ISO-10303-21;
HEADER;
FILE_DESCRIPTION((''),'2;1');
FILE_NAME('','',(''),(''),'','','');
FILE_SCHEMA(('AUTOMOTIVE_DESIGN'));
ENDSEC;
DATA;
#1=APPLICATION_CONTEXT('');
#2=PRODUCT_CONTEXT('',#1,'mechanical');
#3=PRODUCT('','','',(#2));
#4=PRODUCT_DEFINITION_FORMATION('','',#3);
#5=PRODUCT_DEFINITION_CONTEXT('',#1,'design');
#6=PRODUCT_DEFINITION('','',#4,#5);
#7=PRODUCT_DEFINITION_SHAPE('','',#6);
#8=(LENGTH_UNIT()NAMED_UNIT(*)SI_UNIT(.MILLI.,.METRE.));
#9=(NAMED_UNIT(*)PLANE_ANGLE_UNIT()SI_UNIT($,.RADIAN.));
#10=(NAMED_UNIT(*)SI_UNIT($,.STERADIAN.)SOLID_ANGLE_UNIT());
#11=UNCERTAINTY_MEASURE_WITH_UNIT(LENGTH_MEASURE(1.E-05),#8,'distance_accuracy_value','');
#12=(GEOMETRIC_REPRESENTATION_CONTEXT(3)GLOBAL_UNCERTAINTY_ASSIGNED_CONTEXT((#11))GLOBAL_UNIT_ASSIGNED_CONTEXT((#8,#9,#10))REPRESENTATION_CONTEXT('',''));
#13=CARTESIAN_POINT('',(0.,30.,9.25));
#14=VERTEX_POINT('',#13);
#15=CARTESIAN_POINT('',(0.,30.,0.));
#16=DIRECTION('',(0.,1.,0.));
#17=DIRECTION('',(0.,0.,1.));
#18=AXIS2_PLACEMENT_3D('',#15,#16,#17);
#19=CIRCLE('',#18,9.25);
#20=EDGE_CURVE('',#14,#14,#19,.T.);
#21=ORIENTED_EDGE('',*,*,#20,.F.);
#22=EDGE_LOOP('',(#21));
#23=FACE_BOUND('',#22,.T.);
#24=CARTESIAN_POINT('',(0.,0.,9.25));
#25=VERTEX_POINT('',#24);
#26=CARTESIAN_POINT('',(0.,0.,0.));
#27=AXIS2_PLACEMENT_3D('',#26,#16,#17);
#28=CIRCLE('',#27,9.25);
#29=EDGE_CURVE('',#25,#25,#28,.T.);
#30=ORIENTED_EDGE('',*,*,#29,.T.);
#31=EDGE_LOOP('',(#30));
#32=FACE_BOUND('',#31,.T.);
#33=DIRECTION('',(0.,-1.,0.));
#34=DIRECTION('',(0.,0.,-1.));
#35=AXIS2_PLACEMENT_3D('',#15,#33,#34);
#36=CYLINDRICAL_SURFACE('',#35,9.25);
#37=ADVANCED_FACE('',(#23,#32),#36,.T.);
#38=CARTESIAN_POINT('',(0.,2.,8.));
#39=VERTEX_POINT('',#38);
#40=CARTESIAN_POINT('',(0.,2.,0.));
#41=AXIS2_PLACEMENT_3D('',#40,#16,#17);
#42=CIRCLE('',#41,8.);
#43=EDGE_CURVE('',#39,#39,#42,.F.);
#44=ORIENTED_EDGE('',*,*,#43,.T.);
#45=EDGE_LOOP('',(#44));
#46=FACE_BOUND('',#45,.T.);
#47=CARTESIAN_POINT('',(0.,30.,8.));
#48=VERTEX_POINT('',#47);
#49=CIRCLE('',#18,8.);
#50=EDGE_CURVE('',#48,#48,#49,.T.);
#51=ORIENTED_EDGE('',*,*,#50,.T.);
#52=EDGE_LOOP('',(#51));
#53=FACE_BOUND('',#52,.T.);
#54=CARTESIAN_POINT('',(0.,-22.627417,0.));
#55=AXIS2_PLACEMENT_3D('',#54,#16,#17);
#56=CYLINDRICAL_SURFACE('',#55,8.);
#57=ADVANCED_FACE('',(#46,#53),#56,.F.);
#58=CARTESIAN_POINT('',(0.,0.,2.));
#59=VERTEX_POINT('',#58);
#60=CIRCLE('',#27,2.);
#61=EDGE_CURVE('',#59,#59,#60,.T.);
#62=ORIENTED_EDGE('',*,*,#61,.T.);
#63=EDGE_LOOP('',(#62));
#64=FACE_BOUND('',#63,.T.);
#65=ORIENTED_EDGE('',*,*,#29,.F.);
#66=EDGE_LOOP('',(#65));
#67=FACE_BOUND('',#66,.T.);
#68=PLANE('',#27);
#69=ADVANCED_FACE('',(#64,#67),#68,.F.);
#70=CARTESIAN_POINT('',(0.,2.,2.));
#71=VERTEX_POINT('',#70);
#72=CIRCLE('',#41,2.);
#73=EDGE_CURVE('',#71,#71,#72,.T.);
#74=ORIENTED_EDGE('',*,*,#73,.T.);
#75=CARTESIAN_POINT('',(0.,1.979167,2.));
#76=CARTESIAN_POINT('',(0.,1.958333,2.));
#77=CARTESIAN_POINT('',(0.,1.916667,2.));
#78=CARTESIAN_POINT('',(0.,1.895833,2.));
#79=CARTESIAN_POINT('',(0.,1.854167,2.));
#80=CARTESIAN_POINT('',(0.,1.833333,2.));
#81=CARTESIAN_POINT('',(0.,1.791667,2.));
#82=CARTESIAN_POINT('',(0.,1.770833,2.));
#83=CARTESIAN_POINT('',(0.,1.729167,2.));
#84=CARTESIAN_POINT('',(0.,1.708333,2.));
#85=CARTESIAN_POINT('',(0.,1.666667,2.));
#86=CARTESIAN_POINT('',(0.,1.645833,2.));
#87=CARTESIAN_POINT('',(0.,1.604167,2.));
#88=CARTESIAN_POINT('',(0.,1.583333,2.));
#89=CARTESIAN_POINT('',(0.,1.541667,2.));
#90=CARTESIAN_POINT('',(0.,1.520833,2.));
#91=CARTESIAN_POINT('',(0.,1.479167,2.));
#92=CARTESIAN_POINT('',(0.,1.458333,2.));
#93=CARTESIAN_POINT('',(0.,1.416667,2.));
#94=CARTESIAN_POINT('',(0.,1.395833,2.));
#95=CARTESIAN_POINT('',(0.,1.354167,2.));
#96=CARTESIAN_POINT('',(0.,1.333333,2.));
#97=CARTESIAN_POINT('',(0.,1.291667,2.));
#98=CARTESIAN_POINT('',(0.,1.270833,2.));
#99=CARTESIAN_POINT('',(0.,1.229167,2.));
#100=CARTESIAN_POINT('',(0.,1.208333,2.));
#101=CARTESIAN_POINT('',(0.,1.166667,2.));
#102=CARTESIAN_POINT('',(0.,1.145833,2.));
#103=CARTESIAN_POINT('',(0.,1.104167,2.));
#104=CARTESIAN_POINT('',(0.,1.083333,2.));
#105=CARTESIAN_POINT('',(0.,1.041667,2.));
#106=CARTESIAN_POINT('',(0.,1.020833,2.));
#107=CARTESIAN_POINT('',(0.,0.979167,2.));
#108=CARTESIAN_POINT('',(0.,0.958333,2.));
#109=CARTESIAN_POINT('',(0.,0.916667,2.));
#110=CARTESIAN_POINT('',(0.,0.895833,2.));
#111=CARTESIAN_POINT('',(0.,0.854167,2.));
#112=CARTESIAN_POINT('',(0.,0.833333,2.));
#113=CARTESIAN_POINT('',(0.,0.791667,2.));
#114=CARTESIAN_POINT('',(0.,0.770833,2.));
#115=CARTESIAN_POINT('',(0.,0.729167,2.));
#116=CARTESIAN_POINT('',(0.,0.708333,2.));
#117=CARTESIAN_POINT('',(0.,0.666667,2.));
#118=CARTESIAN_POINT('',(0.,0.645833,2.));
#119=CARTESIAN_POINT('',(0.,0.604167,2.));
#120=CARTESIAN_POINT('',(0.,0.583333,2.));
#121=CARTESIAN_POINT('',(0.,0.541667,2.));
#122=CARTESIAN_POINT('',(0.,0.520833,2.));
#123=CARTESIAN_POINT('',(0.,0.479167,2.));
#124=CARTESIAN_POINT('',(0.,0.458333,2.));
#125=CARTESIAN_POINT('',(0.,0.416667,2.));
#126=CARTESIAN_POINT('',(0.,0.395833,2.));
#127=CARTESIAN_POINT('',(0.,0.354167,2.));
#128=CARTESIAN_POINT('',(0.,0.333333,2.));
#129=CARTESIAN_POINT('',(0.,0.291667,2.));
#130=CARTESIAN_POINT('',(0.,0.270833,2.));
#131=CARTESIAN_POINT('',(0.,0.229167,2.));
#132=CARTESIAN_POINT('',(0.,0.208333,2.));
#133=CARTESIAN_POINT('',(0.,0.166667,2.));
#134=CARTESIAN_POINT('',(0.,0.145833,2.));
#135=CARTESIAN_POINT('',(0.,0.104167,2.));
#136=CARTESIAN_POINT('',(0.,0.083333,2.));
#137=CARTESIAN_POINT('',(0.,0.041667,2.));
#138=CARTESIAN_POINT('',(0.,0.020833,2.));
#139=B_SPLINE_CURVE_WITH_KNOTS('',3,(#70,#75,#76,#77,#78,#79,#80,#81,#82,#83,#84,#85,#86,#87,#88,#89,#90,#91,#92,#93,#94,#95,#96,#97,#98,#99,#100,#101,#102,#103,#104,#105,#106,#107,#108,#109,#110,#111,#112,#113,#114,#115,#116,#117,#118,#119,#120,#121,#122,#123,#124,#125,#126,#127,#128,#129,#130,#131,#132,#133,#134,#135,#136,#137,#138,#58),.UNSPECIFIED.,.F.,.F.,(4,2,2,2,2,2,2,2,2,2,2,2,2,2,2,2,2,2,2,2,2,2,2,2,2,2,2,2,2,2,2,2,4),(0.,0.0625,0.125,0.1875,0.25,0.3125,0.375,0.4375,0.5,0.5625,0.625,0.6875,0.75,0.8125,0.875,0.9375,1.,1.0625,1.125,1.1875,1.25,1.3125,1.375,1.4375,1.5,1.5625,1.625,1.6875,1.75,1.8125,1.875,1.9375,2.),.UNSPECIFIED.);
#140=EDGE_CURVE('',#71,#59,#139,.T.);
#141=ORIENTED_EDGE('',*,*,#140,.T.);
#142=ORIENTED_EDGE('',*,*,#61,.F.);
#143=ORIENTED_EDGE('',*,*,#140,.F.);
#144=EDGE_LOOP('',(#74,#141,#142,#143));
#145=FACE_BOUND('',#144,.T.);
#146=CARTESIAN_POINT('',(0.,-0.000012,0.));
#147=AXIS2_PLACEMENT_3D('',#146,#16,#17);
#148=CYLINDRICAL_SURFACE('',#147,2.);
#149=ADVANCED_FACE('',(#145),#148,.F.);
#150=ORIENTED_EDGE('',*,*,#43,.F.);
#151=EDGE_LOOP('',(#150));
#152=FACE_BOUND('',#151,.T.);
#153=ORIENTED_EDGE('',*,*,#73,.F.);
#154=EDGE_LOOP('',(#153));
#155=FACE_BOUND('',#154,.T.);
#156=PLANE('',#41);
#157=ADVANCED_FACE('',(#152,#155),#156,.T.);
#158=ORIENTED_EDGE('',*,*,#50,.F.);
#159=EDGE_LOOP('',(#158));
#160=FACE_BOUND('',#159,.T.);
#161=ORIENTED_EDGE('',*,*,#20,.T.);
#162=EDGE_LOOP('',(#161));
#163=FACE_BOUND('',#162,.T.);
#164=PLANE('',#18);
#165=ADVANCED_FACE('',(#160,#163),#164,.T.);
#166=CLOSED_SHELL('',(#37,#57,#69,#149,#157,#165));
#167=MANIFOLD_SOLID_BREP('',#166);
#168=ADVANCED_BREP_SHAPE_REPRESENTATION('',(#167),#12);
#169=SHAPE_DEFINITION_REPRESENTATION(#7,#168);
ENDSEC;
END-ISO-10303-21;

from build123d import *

# Parameters (mm, degrees)
SKETCH1_R               = 9.25
BOSS_EXTRUDE1_DEPTH     = 30
CUT_EXTRUDE1_START      = 30
SKETCH1_3_R             = 8
CUT_EXTRUDE1_DEPTH      = 28
CUT_EXTRUDE3_DEPTH      = 33.728046077
CUT_EXTRUDE3_DEPTH_BACK = 33.728046077
SKETCH1_4_R             = 2


with BuildPart() as part:
    # Sketch1 → Boss-Extrude1 (new body)
    with BuildSketch(Plane(origin=(0, 0, 0), x_dir=(1, 0, 0), z_dir=(0, 1, 0))):
        with Locations(Location((0, 0, 0), (0, 0, 270))):
            Circle(SKETCH1_R)
    extrude(amount=BOSS_EXTRUDE1_DEPTH)

    # Sketch1<3> → Cut-Extrude1 (cut)
    with BuildSketch(Plane(origin=(0, 0, 0), x_dir=(1, 0, 0), z_dir=(0, 1, 0)).offset(CUT_EXTRUDE1_START)):
        with Locations(Location((0, 0, 0), (0, 0, 270))):
            Circle(SKETCH1_3_R)
    extrude(amount=-CUT_EXTRUDE1_DEPTH, mode=Mode.SUBTRACT)

    # Sketch1<4> → Cut-Extrude3 (cut, two sides: drawn at the far end of the back side and taken through both)
    with BuildSketch(Plane(origin=(0, 0, 0), x_dir=(1, 0, 0), z_dir=(0, 1, 0)).offset(-CUT_EXTRUDE3_DEPTH_BACK)):
        with Locations(Location((0, 0, 0), (0, 0, 270))):
            Circle(SKETCH1_4_R)
    extrude(amount=CUT_EXTRUDE3_DEPTH + CUT_EXTRUDE3_DEPTH_BACK, mode=Mode.SUBTRACT)


solid = part.part
